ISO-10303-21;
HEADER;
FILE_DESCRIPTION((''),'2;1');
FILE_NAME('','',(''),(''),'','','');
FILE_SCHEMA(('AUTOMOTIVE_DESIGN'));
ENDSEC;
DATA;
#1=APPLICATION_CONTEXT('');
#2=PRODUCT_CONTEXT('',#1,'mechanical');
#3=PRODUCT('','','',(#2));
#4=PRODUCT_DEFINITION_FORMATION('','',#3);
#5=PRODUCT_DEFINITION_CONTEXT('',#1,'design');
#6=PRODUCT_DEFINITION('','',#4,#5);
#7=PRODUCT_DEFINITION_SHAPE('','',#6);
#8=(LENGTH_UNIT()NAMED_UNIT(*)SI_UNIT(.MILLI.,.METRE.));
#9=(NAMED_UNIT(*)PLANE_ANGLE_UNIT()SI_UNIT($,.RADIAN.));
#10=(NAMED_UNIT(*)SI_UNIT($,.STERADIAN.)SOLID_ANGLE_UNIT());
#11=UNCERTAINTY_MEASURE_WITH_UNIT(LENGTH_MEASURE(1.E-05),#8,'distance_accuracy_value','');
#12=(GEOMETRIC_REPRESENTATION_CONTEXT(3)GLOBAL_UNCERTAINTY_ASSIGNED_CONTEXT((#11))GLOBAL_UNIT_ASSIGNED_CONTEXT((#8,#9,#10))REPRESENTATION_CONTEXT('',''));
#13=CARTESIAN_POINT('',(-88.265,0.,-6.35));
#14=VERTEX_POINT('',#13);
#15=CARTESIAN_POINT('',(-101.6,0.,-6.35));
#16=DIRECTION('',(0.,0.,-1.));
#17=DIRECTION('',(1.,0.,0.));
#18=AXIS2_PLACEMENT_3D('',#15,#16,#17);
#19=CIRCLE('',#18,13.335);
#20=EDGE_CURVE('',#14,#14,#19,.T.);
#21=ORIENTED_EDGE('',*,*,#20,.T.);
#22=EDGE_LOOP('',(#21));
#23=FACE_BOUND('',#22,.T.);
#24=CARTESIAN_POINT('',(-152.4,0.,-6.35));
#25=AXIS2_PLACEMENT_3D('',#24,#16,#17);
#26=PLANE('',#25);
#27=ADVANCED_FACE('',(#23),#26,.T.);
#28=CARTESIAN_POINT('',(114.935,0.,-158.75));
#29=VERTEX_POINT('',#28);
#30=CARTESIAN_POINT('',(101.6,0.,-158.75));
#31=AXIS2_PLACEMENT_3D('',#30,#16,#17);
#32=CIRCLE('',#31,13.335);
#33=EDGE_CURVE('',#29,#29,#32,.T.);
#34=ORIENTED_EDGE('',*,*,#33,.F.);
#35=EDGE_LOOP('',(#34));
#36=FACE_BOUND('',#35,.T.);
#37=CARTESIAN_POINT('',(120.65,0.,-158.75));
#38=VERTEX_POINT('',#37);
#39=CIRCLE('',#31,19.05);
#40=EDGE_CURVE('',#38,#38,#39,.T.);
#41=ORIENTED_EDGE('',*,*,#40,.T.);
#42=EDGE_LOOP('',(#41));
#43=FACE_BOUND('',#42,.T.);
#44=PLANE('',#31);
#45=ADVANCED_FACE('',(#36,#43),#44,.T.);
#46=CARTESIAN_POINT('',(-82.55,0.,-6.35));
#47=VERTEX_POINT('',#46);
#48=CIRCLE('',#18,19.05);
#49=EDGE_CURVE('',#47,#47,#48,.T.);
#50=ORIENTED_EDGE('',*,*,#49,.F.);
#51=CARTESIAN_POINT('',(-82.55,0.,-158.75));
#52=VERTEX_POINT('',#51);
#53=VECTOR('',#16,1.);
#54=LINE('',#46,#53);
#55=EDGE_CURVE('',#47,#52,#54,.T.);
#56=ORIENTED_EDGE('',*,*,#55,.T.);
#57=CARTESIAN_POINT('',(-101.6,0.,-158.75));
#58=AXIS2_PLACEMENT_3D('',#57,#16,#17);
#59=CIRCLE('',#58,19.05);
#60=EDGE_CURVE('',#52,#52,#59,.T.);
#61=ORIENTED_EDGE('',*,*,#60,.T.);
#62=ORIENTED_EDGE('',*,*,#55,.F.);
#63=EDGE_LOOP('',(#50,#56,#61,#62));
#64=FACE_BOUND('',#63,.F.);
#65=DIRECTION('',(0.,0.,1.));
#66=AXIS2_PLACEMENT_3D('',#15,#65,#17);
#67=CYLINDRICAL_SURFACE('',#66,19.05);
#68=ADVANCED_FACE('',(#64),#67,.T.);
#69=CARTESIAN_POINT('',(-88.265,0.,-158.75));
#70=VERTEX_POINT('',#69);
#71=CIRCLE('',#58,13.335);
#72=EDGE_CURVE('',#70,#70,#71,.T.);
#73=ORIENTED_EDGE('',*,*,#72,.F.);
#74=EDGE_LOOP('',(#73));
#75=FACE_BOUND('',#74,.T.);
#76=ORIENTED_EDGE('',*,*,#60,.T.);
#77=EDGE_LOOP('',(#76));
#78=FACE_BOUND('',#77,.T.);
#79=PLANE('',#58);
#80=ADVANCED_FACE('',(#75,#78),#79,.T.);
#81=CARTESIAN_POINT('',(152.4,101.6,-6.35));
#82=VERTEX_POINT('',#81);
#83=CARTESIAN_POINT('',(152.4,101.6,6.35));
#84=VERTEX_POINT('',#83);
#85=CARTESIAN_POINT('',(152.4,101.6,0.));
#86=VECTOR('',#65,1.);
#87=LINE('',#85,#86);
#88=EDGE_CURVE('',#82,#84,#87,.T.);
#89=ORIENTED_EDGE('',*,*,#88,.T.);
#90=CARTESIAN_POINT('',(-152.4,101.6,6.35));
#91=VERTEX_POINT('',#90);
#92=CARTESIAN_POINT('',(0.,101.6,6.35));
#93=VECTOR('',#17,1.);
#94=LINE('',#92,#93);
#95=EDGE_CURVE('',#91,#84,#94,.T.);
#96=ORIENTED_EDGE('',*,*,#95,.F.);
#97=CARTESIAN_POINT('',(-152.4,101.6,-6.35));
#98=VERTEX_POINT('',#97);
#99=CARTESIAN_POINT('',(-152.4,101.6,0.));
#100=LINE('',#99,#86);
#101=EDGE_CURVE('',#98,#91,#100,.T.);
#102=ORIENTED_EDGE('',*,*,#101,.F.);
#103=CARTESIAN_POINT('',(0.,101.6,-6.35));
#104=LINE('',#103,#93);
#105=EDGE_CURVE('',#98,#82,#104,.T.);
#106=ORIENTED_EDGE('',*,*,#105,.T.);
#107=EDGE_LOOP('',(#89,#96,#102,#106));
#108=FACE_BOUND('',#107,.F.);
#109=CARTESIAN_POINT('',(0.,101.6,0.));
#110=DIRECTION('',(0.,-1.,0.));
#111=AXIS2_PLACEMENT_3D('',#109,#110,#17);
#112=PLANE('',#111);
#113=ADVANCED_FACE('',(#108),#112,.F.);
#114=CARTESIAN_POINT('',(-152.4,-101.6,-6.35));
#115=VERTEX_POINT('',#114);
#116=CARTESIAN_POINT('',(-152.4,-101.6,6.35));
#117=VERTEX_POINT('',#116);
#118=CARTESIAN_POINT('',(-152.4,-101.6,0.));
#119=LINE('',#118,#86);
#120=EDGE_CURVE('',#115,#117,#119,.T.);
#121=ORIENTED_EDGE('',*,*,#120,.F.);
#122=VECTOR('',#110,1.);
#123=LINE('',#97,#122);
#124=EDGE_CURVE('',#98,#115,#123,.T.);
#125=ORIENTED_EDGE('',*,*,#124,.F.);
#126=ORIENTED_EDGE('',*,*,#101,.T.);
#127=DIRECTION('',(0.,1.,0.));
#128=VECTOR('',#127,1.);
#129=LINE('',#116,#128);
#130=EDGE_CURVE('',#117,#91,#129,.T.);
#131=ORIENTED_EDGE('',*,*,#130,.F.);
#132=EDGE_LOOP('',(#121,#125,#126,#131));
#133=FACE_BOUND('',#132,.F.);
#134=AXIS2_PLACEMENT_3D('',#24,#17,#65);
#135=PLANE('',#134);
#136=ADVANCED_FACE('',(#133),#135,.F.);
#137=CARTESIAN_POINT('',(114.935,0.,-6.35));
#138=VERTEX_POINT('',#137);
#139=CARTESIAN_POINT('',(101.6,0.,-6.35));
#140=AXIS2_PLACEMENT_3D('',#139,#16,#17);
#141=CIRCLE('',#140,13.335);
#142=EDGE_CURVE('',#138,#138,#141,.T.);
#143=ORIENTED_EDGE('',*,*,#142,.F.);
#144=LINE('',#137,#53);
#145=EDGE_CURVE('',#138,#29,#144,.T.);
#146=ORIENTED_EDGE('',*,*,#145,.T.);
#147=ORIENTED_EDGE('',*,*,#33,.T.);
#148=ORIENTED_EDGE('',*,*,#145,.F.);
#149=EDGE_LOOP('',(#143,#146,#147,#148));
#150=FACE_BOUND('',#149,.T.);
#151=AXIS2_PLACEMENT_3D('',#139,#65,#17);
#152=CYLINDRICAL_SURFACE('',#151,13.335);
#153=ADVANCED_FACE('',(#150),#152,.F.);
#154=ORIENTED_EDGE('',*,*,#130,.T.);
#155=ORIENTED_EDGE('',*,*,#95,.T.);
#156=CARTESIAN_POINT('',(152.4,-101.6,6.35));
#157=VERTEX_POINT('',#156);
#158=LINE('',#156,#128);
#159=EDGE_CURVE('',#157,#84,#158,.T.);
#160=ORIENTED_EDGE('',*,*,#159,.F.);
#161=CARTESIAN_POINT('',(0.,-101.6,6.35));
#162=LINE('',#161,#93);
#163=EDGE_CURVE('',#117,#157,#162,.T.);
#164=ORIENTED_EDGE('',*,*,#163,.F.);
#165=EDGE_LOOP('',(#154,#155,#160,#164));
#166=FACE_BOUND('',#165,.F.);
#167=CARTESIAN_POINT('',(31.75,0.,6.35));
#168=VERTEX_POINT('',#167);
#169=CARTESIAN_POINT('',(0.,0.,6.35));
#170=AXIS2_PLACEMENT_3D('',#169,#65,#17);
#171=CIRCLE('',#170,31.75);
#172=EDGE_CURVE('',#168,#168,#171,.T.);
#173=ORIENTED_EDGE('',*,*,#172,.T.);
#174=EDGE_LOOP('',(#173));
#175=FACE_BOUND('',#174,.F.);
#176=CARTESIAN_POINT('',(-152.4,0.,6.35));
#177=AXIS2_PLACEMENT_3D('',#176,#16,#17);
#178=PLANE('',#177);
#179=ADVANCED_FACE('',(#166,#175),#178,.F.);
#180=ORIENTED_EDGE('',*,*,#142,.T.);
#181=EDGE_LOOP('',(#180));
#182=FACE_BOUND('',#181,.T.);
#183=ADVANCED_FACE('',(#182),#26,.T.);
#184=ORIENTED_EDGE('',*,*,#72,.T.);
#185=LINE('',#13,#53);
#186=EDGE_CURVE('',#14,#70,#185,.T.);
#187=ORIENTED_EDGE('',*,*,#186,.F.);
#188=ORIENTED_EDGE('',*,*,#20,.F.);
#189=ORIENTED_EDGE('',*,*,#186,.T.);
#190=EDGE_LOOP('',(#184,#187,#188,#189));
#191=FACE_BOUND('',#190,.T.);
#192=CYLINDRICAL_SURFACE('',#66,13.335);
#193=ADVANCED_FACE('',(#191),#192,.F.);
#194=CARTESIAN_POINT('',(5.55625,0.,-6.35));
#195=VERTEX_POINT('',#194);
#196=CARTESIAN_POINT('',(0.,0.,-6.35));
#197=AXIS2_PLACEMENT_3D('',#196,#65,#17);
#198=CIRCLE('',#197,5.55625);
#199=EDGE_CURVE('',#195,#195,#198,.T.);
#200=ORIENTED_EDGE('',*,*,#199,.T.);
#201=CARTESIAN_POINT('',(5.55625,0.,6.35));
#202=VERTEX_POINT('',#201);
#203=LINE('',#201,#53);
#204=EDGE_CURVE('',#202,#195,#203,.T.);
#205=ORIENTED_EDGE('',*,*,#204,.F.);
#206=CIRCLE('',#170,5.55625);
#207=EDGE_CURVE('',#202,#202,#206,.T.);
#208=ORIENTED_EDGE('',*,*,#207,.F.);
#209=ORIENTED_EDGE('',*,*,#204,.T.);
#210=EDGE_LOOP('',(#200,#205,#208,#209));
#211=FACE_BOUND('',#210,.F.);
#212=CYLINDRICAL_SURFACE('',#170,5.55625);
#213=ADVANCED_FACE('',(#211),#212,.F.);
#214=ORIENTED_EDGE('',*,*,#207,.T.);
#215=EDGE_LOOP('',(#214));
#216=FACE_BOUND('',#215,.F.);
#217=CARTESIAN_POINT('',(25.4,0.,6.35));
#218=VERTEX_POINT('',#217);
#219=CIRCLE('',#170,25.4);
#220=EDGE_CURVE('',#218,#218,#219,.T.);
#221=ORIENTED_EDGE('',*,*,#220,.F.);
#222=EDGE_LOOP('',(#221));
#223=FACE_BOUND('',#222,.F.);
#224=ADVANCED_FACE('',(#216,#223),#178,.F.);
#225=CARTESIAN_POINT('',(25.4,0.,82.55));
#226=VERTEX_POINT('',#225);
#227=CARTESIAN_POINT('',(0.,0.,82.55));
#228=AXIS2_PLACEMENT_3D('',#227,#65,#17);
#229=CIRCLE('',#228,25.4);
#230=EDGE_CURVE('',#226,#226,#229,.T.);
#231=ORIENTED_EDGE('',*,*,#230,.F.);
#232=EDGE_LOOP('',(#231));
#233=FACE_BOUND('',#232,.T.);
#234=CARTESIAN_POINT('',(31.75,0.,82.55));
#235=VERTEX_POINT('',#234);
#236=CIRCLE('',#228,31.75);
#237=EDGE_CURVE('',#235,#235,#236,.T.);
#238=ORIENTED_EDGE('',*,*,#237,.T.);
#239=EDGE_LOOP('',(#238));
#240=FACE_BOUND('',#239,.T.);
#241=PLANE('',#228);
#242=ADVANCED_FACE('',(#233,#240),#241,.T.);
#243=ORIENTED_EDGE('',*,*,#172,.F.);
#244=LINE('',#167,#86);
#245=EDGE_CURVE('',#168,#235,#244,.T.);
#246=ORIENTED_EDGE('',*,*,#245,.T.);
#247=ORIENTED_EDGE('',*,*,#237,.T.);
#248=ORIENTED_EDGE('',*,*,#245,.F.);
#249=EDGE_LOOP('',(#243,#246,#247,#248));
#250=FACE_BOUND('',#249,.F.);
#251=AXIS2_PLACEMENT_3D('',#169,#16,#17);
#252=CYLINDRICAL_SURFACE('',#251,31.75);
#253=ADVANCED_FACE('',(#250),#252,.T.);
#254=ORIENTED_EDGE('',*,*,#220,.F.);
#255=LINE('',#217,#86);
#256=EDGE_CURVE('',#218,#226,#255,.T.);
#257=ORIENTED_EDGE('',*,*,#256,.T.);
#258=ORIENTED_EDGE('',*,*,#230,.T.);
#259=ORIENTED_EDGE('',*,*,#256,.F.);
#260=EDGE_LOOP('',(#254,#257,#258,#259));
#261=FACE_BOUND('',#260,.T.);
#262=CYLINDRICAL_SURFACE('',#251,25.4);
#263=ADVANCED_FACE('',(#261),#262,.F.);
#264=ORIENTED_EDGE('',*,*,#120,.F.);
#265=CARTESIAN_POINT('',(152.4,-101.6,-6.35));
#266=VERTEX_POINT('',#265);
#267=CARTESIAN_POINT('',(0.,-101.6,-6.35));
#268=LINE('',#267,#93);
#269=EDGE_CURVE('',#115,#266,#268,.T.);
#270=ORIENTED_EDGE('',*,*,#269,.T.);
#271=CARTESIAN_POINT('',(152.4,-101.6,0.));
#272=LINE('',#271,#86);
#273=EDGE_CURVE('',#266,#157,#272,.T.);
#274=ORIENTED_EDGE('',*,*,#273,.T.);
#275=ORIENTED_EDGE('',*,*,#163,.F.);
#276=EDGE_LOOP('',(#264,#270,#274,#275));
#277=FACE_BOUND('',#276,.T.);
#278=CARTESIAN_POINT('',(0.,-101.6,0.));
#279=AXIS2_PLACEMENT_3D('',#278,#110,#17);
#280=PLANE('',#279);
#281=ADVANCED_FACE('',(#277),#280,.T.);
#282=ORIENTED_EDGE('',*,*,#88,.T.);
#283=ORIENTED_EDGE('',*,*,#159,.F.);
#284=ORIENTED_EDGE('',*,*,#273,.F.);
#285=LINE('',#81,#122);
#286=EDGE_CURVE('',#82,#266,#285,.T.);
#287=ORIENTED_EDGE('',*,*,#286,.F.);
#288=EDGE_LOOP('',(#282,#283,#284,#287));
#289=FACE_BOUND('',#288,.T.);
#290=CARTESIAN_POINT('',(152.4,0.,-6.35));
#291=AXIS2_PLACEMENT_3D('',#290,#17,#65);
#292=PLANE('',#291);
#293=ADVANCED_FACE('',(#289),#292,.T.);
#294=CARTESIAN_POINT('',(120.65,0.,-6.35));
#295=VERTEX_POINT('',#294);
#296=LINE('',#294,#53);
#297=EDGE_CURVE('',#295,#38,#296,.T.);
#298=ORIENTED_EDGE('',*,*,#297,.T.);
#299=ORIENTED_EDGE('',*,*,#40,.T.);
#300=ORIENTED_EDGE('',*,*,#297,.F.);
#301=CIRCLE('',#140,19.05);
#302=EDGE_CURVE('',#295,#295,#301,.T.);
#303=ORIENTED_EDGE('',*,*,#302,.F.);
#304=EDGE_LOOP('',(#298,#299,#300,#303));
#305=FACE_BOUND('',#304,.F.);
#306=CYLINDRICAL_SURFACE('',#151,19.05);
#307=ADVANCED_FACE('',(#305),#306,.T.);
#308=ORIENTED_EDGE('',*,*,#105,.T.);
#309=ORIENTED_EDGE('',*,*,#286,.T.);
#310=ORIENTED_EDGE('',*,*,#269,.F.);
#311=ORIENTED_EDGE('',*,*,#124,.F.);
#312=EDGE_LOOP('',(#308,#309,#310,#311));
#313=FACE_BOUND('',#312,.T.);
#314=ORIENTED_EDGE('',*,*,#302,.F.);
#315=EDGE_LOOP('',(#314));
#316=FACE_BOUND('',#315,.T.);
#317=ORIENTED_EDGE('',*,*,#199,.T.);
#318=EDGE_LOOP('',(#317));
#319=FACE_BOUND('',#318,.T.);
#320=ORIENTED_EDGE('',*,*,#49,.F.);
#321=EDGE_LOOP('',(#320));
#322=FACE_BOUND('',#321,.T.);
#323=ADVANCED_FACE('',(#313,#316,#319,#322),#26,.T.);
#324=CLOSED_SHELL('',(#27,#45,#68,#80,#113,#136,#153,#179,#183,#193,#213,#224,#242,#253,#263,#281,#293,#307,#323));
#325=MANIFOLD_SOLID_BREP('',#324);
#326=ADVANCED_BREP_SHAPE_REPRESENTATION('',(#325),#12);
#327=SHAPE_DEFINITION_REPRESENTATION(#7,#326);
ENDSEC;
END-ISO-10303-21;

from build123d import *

# Parameters (mm, degrees)
F0_W     = 304.8
F0_H     = 12.7
F1_DEPTH = 101.6
F2_R     = 19.05
F2_R_2   = 13.335
F3_DEPTH = 152.4
F4_R     = 5.55625
F5_DEPTH = 25.4
F6_R     = 31.75
F6_R_2   = 25.4
F7_DEPTH = 76.2


with BuildPart() as f1:
    # F0 (on Front) → F1 (new body, symmetric)
    with BuildSketch(Plane.XZ):
        Rectangle(F0_W, F0_H)
    extrude(amount=F1_DEPTH, both=True)

    # F2 (on face) → F3 (join)
    with BuildSketch(Plane(origin=(0, 0, -6.35), x_dir=(1, 0, 0), z_dir=(0, 0, -1))):
        with Locations((101.6, 0)):
            Circle(F2_R)
        with Locations((101.6, 0)):
            Circle(F2_R_2, mode=Mode.SUBTRACT)
        with Locations((-101.6, 0)):
            Circle(F2_R)
        with Locations((-101.6, 0)):
            Circle(F2_R_2, mode=Mode.SUBTRACT)
    extrude(amount=F3_DEPTH)

    # F4 (on face) → F5 (cut)
    with BuildSketch(Plane.XY.offset(6.35)):
        Circle(F4_R)
    extrude(amount=-F5_DEPTH, mode=Mode.SUBTRACT)

    # F6 (on face) → F7 (join)
    with BuildSketch(Plane.XY.offset(6.35)):
        Circle(F6_R)
        Circle(F6_R_2, mode=Mode.SUBTRACT)
    extrude(amount=F7_DEPTH)


solid = f1.part
